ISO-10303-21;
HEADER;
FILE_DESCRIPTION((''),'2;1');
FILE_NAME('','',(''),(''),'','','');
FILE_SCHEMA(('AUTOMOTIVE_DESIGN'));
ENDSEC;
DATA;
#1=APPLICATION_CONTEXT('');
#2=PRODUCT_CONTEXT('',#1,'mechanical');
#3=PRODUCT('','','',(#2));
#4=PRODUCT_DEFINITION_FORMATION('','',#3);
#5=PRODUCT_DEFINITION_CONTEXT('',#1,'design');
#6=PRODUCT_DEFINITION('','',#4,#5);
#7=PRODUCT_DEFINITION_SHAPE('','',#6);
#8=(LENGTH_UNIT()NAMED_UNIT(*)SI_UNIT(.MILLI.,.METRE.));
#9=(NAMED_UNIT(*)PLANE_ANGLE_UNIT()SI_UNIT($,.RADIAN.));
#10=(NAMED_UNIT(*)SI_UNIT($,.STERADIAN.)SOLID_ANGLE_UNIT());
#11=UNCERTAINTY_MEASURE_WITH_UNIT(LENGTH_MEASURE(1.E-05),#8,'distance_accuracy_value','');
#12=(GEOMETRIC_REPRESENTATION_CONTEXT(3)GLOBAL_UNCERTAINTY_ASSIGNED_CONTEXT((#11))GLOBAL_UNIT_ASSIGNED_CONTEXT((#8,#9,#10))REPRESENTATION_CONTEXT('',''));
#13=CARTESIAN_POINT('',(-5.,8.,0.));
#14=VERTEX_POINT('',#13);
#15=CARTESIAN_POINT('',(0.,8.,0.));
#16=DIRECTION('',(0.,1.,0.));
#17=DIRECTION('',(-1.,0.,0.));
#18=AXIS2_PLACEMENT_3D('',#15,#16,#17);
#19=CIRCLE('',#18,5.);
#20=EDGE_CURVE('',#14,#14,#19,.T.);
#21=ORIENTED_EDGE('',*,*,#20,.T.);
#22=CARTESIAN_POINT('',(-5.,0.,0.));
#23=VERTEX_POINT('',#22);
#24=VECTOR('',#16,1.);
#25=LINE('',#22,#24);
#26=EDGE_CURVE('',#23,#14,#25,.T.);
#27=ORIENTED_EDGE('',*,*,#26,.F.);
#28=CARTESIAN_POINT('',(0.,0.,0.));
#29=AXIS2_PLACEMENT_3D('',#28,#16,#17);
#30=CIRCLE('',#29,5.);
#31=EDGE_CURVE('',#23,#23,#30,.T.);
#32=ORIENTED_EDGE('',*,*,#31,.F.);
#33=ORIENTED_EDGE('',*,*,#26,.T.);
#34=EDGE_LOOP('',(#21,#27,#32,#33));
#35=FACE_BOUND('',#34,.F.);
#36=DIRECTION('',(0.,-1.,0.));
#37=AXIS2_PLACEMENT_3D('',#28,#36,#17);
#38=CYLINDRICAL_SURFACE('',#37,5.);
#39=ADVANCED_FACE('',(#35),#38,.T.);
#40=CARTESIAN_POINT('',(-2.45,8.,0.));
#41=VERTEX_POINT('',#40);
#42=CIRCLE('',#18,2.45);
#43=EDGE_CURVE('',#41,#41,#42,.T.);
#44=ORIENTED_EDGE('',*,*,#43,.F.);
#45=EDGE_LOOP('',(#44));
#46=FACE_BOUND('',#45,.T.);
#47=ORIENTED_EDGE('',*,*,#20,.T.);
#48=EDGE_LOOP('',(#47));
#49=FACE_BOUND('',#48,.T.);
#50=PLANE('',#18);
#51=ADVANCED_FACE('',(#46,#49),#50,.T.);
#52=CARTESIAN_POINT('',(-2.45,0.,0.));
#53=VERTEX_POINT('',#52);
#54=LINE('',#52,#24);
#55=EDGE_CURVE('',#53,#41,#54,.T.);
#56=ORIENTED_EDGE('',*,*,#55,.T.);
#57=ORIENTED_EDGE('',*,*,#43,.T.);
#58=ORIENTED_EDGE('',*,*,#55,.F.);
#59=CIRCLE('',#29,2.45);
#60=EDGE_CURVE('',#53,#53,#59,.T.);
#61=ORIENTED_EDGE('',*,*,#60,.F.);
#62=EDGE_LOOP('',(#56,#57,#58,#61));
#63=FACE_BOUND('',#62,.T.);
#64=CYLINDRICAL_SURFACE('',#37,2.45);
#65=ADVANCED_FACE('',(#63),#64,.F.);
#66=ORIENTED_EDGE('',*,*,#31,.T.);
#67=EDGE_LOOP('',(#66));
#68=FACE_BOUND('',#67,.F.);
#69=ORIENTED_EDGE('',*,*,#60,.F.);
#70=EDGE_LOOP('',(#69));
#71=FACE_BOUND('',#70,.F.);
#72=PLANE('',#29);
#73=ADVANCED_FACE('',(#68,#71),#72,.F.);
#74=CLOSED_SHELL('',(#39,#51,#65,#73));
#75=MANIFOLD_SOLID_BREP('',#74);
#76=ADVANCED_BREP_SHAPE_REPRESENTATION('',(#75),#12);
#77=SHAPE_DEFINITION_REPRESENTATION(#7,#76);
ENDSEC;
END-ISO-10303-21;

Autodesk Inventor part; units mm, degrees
ref_plane "YZ Plane" through (0, 0, 0) normal (1, 0, 0) x (0, 1, 0)
ref_plane "XZ Plane" through (0, 0, 0) normal (0, 1, 0) x (-1, 0, 0)
ref_plane "XY Plane" through (0, 0, 0) normal (0, 0, 1) x (1, 0, 0)
sketch "Sketch1" plane through (0, 0, 0) normal (0, 1, 0) x (-1, 0, 0)
  circle A0 centre (0, 0) radius 2.45
  circle A1 centre (0, 0) radius 5
  dimension "d0" = 4.9
  dimension "d1" = 10
extrude "Extrusion1" add sketch "Sketch1" along normal blind 8
properties part number "leg_2"
